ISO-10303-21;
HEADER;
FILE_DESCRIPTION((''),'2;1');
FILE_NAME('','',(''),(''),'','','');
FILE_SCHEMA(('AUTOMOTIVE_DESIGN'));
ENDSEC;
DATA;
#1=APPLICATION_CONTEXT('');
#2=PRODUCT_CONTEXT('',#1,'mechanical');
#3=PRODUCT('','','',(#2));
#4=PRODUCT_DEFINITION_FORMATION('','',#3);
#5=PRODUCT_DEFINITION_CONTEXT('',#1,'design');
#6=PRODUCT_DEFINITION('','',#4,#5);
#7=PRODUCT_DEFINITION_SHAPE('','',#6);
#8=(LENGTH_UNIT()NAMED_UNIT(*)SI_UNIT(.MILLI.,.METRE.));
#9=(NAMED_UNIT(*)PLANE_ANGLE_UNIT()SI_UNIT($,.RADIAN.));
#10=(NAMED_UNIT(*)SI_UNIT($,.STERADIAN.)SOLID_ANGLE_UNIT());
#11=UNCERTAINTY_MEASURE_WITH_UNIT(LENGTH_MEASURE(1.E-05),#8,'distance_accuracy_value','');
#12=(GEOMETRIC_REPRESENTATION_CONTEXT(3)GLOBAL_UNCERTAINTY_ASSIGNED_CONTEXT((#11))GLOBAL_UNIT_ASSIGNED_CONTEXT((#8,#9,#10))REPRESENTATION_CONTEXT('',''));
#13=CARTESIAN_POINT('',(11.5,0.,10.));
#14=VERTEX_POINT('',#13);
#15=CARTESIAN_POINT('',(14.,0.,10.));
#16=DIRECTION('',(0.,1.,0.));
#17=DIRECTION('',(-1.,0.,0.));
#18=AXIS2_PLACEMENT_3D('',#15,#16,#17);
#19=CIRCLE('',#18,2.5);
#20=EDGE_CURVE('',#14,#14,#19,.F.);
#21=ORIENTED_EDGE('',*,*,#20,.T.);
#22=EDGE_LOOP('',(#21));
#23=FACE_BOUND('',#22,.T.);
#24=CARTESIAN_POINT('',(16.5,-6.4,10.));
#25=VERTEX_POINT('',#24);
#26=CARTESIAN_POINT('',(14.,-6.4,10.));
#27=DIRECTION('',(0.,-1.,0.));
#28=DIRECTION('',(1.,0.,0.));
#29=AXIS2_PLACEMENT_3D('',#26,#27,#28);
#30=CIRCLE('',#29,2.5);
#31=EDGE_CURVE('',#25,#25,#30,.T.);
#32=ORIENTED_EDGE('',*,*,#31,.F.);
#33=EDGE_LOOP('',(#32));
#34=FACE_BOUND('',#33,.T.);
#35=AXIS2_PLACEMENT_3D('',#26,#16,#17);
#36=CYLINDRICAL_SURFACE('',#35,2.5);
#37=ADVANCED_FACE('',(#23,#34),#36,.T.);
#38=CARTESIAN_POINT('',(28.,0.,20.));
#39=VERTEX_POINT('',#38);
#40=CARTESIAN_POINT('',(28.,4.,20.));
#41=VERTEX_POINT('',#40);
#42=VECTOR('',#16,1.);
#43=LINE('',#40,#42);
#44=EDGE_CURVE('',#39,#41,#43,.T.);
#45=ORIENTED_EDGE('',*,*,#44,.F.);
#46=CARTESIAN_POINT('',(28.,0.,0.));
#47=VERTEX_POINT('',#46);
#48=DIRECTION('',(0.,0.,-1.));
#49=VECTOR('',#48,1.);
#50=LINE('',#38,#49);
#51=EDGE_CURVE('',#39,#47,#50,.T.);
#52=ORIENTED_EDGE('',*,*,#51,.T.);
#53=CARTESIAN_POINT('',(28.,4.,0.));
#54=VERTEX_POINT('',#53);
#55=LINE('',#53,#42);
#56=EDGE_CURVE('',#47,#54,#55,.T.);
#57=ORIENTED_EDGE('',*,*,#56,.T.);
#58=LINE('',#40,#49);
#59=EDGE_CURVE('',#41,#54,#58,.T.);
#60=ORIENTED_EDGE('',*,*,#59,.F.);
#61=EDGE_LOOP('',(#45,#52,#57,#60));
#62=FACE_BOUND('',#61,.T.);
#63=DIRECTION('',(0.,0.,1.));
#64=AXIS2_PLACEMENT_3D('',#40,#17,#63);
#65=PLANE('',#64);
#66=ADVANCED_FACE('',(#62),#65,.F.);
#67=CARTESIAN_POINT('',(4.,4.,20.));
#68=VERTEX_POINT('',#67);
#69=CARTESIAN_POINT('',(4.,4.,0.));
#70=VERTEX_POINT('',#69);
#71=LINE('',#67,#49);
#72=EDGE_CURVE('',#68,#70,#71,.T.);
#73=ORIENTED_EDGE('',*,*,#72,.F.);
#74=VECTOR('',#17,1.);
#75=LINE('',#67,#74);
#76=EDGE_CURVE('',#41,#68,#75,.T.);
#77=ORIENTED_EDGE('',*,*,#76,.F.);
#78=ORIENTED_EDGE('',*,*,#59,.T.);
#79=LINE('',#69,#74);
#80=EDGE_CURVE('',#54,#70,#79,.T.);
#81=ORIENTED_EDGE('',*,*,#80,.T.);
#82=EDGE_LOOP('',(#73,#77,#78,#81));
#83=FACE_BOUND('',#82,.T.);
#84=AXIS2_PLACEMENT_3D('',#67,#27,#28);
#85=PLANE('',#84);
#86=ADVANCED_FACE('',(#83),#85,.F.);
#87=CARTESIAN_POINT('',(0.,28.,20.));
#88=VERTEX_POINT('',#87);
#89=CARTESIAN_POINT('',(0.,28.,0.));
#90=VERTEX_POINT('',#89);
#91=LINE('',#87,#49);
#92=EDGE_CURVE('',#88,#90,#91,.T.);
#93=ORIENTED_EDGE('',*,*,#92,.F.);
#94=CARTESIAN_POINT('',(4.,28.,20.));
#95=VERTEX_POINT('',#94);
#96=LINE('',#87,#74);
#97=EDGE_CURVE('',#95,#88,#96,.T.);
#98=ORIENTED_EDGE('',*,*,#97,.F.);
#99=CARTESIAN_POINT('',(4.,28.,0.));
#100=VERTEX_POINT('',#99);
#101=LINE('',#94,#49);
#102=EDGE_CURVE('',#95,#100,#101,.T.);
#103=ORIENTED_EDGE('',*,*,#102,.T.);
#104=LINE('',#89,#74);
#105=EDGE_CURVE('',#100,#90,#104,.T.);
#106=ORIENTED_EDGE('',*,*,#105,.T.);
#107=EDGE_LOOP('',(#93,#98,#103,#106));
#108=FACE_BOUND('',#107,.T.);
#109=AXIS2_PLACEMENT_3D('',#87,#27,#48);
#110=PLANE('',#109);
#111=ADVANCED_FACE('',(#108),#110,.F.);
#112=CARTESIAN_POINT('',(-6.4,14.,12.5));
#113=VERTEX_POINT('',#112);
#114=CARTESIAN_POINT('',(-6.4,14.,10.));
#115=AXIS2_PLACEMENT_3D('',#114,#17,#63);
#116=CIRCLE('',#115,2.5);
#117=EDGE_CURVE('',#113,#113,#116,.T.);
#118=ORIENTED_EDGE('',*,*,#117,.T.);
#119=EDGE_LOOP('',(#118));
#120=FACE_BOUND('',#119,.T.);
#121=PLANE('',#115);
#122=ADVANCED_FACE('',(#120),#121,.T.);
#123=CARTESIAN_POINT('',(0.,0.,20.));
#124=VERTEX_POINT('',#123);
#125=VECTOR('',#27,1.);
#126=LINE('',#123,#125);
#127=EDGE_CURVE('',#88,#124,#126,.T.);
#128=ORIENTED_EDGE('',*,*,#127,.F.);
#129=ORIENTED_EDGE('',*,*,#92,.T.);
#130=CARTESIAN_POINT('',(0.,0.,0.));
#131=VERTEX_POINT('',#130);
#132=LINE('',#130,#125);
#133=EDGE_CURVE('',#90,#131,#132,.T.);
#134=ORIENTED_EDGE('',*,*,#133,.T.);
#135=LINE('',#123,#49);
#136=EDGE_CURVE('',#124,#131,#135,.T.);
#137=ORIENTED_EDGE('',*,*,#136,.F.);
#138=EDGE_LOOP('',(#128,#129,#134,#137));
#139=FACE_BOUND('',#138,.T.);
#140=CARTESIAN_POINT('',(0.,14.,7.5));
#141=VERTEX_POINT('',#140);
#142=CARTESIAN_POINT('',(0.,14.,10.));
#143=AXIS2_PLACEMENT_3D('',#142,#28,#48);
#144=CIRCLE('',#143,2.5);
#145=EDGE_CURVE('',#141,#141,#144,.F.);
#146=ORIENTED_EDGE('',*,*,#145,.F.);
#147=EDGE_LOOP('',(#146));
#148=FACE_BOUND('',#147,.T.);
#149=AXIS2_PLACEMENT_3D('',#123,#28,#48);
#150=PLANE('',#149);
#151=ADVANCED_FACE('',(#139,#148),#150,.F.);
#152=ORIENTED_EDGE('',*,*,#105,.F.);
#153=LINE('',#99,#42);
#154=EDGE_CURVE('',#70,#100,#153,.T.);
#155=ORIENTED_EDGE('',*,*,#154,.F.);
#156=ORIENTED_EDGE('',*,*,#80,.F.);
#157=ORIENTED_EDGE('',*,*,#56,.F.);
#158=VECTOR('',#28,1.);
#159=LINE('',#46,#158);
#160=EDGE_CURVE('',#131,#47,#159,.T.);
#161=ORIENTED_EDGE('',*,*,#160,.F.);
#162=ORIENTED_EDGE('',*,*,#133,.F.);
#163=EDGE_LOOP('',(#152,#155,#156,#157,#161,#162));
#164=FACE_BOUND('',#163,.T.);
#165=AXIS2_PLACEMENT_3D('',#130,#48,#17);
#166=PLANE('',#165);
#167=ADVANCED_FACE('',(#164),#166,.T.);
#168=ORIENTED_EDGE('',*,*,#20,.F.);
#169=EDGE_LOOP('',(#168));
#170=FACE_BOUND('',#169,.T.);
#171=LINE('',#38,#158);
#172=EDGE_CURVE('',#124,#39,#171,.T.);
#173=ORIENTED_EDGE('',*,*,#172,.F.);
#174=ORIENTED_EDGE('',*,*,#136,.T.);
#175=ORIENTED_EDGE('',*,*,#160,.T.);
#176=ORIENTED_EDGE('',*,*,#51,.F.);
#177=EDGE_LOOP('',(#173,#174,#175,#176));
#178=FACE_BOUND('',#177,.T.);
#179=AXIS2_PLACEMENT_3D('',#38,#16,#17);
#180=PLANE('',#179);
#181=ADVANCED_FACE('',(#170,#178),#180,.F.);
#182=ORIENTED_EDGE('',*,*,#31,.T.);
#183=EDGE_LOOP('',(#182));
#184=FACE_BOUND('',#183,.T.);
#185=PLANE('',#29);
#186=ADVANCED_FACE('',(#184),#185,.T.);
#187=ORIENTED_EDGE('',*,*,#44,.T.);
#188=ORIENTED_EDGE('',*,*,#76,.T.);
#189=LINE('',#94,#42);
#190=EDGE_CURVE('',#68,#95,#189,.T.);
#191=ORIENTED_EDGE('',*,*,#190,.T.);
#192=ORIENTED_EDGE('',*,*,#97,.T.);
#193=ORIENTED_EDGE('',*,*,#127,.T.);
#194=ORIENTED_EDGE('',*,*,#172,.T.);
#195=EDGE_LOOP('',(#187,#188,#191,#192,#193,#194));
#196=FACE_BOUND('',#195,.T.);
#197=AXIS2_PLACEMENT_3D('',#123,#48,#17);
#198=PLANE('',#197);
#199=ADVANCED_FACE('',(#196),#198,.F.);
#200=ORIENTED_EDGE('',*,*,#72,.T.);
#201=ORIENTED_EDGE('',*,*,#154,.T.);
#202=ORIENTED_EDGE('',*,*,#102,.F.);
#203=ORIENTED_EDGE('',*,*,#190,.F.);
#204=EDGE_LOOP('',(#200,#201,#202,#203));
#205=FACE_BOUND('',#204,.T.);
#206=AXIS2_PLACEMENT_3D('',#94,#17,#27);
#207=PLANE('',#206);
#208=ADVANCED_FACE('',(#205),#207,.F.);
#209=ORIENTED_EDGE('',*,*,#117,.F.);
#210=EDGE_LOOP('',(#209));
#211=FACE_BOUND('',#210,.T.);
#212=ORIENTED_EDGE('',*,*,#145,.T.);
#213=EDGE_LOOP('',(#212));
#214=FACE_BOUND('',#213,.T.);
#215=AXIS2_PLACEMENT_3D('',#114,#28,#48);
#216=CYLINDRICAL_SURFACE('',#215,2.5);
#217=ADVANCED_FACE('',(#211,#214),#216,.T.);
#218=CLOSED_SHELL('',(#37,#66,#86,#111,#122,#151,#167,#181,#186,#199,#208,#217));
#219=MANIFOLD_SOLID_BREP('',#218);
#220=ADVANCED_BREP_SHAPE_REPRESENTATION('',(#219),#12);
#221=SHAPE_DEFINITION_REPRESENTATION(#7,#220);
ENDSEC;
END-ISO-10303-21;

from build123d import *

# Parameters (mm, degrees)
BOSS_EXTRUDE1_DEPTH = 20
SKETCH5_R           = 2.5
BOSS_EXTRUDE6_DEPTH = 6.4
SKETCH6_R           = 2.5
BOSS_EXTRUDE7_DEPTH = 6.4


with BuildPart() as part:
    # Sketch1 → Boss-Extrude1 (new body)
    with BuildSketch(Plane.XY):
        Polygon((0, 0), (0, 28), (4, 28), (4, 4), (28, 4), (28, 0), align=None)
    extrude(amount=BOSS_EXTRUDE1_DEPTH)

    # Sketch5 → Boss-Extrude6 (add)
    with BuildSketch(Plane.ZY):
        with Locations((10, 14)):
            Circle(SKETCH5_R)
    extrude(amount=BOSS_EXTRUDE6_DEPTH)

    # Sketch6 → Boss-Extrude7 (add)
    with BuildSketch(Plane.XZ):
        with Locations((14, 10)):
            Circle(SKETCH6_R)
    extrude(amount=BOSS_EXTRUDE7_DEPTH)


solid = part.part
